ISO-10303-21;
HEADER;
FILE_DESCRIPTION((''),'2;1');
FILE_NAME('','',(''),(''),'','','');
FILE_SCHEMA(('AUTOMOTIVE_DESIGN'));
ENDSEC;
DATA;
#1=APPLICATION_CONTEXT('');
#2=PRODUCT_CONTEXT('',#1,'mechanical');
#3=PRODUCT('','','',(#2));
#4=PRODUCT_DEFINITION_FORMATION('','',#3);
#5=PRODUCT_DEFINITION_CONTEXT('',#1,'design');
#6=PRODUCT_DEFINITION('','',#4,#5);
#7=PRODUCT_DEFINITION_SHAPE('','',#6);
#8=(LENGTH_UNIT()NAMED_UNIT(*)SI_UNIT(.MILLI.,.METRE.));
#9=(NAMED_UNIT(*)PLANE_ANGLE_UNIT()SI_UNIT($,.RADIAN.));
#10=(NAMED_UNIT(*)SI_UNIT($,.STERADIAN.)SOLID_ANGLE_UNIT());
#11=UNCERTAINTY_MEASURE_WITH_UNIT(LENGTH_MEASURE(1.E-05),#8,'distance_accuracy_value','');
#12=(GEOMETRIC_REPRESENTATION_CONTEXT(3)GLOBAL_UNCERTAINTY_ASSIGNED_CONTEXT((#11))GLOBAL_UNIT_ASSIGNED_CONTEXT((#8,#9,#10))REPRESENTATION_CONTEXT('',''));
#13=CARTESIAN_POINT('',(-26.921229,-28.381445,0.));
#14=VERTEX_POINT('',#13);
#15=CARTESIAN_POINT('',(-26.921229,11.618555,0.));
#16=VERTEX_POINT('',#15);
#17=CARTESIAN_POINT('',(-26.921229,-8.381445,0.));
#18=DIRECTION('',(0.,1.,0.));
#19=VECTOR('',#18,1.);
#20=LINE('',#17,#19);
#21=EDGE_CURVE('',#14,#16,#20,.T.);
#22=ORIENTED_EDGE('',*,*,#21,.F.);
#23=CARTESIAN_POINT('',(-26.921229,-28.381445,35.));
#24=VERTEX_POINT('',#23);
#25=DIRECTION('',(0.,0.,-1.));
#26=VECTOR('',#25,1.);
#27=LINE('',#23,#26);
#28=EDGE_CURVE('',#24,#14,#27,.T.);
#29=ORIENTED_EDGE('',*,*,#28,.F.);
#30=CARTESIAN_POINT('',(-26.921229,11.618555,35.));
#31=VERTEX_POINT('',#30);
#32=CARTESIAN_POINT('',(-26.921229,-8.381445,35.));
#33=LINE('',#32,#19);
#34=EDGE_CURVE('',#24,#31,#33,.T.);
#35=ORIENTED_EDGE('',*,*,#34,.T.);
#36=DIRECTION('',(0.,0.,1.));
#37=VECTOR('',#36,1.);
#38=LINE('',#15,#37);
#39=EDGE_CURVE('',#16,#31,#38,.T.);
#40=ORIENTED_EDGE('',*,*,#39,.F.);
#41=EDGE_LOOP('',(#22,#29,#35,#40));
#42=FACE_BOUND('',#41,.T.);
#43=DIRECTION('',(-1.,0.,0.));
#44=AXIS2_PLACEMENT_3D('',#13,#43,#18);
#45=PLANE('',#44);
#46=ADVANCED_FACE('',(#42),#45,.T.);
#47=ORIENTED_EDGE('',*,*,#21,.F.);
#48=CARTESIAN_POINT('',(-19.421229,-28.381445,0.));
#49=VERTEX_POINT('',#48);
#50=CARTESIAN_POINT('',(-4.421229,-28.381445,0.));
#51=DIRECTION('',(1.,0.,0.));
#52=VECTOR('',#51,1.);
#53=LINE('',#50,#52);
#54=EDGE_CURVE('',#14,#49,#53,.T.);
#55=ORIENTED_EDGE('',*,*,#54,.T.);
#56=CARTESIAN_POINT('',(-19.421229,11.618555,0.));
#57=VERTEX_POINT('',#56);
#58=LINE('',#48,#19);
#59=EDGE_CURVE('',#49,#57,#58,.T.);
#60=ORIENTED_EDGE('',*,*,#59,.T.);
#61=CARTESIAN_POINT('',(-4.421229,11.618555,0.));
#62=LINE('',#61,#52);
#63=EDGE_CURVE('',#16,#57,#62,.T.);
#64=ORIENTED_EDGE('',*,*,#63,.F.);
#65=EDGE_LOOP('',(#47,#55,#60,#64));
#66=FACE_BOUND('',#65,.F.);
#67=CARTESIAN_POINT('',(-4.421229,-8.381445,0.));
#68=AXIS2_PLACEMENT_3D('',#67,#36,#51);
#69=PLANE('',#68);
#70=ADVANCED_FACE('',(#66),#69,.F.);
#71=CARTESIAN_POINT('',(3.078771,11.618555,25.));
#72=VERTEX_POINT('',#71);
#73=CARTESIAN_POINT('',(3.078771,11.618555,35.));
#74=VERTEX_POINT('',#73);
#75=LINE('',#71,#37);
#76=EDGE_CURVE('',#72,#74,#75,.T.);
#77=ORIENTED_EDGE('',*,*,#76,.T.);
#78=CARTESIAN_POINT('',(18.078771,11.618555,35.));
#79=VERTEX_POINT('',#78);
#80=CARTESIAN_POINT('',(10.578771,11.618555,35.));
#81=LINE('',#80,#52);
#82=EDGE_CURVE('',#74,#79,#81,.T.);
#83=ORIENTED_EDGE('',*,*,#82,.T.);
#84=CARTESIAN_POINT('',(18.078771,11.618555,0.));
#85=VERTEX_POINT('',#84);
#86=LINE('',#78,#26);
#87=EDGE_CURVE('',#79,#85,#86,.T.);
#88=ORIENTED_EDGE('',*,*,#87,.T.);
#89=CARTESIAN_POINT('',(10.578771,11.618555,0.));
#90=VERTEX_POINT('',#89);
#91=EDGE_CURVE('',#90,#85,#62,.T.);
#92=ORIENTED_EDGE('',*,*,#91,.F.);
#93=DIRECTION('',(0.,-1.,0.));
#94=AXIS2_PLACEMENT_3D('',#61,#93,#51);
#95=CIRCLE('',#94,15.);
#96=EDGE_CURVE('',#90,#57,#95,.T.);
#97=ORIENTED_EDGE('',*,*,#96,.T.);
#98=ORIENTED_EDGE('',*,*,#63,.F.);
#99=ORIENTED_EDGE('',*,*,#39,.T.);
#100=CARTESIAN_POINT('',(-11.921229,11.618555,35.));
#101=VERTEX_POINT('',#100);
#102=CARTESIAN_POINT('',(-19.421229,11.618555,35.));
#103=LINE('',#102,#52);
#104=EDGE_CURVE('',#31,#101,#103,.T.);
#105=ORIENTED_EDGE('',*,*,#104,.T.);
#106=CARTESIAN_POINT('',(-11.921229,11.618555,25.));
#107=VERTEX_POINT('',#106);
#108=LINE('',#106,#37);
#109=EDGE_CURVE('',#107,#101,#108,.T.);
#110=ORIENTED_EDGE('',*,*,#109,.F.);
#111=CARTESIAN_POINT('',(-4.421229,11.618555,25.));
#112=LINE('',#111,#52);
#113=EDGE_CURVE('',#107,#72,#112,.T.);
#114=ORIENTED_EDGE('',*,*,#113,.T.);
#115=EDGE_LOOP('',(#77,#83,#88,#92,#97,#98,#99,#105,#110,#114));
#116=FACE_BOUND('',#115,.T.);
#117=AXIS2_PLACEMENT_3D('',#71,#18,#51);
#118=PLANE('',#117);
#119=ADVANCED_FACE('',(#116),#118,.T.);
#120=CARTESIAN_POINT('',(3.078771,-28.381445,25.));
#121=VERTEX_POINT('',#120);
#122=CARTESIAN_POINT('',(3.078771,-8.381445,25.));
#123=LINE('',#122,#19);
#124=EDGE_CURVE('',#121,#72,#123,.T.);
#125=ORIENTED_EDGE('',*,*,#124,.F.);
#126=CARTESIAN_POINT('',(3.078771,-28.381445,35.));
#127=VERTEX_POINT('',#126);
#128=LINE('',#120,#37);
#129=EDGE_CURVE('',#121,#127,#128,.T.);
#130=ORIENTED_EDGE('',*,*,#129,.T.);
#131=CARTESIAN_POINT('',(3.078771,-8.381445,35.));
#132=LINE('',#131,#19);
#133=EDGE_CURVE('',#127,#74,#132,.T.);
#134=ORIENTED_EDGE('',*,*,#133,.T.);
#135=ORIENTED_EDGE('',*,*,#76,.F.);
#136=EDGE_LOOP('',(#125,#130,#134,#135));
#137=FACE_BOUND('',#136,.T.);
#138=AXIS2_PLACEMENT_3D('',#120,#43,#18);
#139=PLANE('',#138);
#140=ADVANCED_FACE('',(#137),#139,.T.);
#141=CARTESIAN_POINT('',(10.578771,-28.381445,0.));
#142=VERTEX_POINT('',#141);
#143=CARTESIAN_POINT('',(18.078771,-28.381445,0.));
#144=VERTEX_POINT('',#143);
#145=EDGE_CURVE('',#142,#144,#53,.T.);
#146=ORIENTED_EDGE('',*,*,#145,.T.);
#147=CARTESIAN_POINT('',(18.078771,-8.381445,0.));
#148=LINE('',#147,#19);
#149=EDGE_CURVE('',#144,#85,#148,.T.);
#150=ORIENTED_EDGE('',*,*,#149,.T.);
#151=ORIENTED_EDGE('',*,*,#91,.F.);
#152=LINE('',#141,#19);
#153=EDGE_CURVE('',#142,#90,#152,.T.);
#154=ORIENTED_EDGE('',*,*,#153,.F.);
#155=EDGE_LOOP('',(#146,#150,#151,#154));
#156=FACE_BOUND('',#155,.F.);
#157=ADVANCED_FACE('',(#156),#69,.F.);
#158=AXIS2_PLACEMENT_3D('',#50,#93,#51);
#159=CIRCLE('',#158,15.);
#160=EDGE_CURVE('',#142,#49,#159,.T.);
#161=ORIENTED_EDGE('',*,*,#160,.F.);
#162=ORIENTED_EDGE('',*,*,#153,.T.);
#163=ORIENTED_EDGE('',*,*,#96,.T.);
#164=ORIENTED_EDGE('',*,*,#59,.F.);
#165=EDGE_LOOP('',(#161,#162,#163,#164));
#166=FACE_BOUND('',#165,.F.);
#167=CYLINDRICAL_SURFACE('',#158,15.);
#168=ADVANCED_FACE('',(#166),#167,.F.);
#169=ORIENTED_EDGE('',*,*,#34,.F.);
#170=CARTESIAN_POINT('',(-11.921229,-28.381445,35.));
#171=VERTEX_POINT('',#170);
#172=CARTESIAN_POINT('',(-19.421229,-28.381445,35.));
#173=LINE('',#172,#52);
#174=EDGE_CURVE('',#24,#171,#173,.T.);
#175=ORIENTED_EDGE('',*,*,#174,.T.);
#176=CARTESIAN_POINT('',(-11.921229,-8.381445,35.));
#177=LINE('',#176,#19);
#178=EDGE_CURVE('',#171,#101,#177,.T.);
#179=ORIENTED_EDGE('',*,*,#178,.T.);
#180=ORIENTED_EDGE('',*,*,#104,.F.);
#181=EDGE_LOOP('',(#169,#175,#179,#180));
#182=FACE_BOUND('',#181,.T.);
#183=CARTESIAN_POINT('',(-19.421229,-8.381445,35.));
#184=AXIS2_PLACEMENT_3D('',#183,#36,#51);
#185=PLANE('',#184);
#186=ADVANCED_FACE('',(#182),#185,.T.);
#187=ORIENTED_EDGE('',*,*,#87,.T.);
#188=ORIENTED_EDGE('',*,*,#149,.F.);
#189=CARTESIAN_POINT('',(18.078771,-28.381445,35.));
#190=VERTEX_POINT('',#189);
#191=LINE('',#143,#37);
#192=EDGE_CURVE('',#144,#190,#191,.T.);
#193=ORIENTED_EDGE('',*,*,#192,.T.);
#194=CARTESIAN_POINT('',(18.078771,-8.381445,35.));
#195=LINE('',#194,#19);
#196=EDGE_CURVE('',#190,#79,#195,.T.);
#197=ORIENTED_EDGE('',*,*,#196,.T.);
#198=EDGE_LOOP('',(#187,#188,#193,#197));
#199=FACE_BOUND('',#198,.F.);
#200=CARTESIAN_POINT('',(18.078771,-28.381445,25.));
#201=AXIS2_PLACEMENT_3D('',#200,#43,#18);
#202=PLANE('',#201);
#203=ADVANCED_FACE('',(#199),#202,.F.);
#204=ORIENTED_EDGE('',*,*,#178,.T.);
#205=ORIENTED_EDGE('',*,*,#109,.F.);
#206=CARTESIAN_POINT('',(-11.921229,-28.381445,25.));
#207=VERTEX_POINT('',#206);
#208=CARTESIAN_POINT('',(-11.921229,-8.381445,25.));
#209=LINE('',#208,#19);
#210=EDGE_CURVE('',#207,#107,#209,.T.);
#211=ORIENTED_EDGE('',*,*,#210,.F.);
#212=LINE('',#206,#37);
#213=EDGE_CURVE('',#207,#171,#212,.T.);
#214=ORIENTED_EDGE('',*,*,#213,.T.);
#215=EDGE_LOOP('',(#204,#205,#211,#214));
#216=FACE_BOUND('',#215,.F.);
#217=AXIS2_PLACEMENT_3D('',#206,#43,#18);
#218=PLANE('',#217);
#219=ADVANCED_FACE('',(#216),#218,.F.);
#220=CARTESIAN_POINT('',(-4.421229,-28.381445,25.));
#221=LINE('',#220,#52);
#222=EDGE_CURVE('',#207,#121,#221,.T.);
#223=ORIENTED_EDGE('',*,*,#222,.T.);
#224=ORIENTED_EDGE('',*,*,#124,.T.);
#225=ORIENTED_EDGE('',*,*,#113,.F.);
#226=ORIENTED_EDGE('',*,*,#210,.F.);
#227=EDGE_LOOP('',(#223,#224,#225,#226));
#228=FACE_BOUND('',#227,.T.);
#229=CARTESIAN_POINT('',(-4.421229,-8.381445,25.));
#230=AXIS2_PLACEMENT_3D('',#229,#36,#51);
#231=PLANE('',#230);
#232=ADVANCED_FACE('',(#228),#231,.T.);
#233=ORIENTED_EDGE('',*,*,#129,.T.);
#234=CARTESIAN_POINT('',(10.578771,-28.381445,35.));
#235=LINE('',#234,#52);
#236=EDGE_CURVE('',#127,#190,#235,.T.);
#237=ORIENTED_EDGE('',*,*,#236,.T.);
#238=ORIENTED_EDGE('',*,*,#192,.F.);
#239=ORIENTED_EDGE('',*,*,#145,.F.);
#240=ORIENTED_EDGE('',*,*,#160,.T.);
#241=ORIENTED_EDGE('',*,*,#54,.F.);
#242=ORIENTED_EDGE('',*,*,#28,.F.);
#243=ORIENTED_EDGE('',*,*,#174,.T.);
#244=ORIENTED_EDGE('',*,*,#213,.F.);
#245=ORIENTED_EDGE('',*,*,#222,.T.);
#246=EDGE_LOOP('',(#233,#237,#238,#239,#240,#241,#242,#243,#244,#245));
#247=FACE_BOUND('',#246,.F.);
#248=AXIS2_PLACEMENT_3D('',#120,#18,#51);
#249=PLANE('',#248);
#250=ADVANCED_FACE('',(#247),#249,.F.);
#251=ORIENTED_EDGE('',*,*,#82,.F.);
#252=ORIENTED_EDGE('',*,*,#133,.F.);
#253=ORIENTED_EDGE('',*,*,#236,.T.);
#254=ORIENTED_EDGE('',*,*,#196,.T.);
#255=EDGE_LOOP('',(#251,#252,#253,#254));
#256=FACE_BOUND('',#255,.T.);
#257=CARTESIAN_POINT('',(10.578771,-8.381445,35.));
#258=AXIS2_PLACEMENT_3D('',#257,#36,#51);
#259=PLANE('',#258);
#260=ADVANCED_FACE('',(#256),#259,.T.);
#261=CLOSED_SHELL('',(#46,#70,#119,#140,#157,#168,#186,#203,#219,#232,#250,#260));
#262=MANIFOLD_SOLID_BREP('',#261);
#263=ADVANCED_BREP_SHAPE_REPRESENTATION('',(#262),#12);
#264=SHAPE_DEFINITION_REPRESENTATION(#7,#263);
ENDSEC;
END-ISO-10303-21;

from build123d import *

# Parameters (mm, degrees)
F0_W     = 45
F0_H     = 40
F1_DEPTH = 25
F2_W     = 15
F2_H     = 40
F3_DEPTH = 10
F5_DEPTH = 40.001


with BuildPart() as f1:
    # F0 (on Top) → F1 (new body)
    with BuildSketch(Plane.XY):
        with Locations((-4.421229, -8.381445)):
            Rectangle(F0_W, F0_H)
    extrude(amount=F1_DEPTH)

    # F2 (on face) → F3 (join)
    with BuildSketch(Plane.XY.offset(25)):
        with Locations((10.578771, -8.381445)):
            Rectangle(F2_W, F2_H)
        with Locations((-19.421229, -8.381445)):
            Rectangle(F2_W, F2_H)
    extrude(amount=F3_DEPTH)

    # F4 (on face) → F5 (cut, through all)
    with BuildSketch(Plane.XZ.offset(28.381445)):
        with BuildLine():
            Line((-19.421229, 0), (10.578771, 0))
            ThreePointArc((10.578771, 0), (-4.421229, 15), (-19.421229, 0))
        make_face()
    extrude(amount=-F5_DEPTH, mode=Mode.SUBTRACT)


solid = f1.part
